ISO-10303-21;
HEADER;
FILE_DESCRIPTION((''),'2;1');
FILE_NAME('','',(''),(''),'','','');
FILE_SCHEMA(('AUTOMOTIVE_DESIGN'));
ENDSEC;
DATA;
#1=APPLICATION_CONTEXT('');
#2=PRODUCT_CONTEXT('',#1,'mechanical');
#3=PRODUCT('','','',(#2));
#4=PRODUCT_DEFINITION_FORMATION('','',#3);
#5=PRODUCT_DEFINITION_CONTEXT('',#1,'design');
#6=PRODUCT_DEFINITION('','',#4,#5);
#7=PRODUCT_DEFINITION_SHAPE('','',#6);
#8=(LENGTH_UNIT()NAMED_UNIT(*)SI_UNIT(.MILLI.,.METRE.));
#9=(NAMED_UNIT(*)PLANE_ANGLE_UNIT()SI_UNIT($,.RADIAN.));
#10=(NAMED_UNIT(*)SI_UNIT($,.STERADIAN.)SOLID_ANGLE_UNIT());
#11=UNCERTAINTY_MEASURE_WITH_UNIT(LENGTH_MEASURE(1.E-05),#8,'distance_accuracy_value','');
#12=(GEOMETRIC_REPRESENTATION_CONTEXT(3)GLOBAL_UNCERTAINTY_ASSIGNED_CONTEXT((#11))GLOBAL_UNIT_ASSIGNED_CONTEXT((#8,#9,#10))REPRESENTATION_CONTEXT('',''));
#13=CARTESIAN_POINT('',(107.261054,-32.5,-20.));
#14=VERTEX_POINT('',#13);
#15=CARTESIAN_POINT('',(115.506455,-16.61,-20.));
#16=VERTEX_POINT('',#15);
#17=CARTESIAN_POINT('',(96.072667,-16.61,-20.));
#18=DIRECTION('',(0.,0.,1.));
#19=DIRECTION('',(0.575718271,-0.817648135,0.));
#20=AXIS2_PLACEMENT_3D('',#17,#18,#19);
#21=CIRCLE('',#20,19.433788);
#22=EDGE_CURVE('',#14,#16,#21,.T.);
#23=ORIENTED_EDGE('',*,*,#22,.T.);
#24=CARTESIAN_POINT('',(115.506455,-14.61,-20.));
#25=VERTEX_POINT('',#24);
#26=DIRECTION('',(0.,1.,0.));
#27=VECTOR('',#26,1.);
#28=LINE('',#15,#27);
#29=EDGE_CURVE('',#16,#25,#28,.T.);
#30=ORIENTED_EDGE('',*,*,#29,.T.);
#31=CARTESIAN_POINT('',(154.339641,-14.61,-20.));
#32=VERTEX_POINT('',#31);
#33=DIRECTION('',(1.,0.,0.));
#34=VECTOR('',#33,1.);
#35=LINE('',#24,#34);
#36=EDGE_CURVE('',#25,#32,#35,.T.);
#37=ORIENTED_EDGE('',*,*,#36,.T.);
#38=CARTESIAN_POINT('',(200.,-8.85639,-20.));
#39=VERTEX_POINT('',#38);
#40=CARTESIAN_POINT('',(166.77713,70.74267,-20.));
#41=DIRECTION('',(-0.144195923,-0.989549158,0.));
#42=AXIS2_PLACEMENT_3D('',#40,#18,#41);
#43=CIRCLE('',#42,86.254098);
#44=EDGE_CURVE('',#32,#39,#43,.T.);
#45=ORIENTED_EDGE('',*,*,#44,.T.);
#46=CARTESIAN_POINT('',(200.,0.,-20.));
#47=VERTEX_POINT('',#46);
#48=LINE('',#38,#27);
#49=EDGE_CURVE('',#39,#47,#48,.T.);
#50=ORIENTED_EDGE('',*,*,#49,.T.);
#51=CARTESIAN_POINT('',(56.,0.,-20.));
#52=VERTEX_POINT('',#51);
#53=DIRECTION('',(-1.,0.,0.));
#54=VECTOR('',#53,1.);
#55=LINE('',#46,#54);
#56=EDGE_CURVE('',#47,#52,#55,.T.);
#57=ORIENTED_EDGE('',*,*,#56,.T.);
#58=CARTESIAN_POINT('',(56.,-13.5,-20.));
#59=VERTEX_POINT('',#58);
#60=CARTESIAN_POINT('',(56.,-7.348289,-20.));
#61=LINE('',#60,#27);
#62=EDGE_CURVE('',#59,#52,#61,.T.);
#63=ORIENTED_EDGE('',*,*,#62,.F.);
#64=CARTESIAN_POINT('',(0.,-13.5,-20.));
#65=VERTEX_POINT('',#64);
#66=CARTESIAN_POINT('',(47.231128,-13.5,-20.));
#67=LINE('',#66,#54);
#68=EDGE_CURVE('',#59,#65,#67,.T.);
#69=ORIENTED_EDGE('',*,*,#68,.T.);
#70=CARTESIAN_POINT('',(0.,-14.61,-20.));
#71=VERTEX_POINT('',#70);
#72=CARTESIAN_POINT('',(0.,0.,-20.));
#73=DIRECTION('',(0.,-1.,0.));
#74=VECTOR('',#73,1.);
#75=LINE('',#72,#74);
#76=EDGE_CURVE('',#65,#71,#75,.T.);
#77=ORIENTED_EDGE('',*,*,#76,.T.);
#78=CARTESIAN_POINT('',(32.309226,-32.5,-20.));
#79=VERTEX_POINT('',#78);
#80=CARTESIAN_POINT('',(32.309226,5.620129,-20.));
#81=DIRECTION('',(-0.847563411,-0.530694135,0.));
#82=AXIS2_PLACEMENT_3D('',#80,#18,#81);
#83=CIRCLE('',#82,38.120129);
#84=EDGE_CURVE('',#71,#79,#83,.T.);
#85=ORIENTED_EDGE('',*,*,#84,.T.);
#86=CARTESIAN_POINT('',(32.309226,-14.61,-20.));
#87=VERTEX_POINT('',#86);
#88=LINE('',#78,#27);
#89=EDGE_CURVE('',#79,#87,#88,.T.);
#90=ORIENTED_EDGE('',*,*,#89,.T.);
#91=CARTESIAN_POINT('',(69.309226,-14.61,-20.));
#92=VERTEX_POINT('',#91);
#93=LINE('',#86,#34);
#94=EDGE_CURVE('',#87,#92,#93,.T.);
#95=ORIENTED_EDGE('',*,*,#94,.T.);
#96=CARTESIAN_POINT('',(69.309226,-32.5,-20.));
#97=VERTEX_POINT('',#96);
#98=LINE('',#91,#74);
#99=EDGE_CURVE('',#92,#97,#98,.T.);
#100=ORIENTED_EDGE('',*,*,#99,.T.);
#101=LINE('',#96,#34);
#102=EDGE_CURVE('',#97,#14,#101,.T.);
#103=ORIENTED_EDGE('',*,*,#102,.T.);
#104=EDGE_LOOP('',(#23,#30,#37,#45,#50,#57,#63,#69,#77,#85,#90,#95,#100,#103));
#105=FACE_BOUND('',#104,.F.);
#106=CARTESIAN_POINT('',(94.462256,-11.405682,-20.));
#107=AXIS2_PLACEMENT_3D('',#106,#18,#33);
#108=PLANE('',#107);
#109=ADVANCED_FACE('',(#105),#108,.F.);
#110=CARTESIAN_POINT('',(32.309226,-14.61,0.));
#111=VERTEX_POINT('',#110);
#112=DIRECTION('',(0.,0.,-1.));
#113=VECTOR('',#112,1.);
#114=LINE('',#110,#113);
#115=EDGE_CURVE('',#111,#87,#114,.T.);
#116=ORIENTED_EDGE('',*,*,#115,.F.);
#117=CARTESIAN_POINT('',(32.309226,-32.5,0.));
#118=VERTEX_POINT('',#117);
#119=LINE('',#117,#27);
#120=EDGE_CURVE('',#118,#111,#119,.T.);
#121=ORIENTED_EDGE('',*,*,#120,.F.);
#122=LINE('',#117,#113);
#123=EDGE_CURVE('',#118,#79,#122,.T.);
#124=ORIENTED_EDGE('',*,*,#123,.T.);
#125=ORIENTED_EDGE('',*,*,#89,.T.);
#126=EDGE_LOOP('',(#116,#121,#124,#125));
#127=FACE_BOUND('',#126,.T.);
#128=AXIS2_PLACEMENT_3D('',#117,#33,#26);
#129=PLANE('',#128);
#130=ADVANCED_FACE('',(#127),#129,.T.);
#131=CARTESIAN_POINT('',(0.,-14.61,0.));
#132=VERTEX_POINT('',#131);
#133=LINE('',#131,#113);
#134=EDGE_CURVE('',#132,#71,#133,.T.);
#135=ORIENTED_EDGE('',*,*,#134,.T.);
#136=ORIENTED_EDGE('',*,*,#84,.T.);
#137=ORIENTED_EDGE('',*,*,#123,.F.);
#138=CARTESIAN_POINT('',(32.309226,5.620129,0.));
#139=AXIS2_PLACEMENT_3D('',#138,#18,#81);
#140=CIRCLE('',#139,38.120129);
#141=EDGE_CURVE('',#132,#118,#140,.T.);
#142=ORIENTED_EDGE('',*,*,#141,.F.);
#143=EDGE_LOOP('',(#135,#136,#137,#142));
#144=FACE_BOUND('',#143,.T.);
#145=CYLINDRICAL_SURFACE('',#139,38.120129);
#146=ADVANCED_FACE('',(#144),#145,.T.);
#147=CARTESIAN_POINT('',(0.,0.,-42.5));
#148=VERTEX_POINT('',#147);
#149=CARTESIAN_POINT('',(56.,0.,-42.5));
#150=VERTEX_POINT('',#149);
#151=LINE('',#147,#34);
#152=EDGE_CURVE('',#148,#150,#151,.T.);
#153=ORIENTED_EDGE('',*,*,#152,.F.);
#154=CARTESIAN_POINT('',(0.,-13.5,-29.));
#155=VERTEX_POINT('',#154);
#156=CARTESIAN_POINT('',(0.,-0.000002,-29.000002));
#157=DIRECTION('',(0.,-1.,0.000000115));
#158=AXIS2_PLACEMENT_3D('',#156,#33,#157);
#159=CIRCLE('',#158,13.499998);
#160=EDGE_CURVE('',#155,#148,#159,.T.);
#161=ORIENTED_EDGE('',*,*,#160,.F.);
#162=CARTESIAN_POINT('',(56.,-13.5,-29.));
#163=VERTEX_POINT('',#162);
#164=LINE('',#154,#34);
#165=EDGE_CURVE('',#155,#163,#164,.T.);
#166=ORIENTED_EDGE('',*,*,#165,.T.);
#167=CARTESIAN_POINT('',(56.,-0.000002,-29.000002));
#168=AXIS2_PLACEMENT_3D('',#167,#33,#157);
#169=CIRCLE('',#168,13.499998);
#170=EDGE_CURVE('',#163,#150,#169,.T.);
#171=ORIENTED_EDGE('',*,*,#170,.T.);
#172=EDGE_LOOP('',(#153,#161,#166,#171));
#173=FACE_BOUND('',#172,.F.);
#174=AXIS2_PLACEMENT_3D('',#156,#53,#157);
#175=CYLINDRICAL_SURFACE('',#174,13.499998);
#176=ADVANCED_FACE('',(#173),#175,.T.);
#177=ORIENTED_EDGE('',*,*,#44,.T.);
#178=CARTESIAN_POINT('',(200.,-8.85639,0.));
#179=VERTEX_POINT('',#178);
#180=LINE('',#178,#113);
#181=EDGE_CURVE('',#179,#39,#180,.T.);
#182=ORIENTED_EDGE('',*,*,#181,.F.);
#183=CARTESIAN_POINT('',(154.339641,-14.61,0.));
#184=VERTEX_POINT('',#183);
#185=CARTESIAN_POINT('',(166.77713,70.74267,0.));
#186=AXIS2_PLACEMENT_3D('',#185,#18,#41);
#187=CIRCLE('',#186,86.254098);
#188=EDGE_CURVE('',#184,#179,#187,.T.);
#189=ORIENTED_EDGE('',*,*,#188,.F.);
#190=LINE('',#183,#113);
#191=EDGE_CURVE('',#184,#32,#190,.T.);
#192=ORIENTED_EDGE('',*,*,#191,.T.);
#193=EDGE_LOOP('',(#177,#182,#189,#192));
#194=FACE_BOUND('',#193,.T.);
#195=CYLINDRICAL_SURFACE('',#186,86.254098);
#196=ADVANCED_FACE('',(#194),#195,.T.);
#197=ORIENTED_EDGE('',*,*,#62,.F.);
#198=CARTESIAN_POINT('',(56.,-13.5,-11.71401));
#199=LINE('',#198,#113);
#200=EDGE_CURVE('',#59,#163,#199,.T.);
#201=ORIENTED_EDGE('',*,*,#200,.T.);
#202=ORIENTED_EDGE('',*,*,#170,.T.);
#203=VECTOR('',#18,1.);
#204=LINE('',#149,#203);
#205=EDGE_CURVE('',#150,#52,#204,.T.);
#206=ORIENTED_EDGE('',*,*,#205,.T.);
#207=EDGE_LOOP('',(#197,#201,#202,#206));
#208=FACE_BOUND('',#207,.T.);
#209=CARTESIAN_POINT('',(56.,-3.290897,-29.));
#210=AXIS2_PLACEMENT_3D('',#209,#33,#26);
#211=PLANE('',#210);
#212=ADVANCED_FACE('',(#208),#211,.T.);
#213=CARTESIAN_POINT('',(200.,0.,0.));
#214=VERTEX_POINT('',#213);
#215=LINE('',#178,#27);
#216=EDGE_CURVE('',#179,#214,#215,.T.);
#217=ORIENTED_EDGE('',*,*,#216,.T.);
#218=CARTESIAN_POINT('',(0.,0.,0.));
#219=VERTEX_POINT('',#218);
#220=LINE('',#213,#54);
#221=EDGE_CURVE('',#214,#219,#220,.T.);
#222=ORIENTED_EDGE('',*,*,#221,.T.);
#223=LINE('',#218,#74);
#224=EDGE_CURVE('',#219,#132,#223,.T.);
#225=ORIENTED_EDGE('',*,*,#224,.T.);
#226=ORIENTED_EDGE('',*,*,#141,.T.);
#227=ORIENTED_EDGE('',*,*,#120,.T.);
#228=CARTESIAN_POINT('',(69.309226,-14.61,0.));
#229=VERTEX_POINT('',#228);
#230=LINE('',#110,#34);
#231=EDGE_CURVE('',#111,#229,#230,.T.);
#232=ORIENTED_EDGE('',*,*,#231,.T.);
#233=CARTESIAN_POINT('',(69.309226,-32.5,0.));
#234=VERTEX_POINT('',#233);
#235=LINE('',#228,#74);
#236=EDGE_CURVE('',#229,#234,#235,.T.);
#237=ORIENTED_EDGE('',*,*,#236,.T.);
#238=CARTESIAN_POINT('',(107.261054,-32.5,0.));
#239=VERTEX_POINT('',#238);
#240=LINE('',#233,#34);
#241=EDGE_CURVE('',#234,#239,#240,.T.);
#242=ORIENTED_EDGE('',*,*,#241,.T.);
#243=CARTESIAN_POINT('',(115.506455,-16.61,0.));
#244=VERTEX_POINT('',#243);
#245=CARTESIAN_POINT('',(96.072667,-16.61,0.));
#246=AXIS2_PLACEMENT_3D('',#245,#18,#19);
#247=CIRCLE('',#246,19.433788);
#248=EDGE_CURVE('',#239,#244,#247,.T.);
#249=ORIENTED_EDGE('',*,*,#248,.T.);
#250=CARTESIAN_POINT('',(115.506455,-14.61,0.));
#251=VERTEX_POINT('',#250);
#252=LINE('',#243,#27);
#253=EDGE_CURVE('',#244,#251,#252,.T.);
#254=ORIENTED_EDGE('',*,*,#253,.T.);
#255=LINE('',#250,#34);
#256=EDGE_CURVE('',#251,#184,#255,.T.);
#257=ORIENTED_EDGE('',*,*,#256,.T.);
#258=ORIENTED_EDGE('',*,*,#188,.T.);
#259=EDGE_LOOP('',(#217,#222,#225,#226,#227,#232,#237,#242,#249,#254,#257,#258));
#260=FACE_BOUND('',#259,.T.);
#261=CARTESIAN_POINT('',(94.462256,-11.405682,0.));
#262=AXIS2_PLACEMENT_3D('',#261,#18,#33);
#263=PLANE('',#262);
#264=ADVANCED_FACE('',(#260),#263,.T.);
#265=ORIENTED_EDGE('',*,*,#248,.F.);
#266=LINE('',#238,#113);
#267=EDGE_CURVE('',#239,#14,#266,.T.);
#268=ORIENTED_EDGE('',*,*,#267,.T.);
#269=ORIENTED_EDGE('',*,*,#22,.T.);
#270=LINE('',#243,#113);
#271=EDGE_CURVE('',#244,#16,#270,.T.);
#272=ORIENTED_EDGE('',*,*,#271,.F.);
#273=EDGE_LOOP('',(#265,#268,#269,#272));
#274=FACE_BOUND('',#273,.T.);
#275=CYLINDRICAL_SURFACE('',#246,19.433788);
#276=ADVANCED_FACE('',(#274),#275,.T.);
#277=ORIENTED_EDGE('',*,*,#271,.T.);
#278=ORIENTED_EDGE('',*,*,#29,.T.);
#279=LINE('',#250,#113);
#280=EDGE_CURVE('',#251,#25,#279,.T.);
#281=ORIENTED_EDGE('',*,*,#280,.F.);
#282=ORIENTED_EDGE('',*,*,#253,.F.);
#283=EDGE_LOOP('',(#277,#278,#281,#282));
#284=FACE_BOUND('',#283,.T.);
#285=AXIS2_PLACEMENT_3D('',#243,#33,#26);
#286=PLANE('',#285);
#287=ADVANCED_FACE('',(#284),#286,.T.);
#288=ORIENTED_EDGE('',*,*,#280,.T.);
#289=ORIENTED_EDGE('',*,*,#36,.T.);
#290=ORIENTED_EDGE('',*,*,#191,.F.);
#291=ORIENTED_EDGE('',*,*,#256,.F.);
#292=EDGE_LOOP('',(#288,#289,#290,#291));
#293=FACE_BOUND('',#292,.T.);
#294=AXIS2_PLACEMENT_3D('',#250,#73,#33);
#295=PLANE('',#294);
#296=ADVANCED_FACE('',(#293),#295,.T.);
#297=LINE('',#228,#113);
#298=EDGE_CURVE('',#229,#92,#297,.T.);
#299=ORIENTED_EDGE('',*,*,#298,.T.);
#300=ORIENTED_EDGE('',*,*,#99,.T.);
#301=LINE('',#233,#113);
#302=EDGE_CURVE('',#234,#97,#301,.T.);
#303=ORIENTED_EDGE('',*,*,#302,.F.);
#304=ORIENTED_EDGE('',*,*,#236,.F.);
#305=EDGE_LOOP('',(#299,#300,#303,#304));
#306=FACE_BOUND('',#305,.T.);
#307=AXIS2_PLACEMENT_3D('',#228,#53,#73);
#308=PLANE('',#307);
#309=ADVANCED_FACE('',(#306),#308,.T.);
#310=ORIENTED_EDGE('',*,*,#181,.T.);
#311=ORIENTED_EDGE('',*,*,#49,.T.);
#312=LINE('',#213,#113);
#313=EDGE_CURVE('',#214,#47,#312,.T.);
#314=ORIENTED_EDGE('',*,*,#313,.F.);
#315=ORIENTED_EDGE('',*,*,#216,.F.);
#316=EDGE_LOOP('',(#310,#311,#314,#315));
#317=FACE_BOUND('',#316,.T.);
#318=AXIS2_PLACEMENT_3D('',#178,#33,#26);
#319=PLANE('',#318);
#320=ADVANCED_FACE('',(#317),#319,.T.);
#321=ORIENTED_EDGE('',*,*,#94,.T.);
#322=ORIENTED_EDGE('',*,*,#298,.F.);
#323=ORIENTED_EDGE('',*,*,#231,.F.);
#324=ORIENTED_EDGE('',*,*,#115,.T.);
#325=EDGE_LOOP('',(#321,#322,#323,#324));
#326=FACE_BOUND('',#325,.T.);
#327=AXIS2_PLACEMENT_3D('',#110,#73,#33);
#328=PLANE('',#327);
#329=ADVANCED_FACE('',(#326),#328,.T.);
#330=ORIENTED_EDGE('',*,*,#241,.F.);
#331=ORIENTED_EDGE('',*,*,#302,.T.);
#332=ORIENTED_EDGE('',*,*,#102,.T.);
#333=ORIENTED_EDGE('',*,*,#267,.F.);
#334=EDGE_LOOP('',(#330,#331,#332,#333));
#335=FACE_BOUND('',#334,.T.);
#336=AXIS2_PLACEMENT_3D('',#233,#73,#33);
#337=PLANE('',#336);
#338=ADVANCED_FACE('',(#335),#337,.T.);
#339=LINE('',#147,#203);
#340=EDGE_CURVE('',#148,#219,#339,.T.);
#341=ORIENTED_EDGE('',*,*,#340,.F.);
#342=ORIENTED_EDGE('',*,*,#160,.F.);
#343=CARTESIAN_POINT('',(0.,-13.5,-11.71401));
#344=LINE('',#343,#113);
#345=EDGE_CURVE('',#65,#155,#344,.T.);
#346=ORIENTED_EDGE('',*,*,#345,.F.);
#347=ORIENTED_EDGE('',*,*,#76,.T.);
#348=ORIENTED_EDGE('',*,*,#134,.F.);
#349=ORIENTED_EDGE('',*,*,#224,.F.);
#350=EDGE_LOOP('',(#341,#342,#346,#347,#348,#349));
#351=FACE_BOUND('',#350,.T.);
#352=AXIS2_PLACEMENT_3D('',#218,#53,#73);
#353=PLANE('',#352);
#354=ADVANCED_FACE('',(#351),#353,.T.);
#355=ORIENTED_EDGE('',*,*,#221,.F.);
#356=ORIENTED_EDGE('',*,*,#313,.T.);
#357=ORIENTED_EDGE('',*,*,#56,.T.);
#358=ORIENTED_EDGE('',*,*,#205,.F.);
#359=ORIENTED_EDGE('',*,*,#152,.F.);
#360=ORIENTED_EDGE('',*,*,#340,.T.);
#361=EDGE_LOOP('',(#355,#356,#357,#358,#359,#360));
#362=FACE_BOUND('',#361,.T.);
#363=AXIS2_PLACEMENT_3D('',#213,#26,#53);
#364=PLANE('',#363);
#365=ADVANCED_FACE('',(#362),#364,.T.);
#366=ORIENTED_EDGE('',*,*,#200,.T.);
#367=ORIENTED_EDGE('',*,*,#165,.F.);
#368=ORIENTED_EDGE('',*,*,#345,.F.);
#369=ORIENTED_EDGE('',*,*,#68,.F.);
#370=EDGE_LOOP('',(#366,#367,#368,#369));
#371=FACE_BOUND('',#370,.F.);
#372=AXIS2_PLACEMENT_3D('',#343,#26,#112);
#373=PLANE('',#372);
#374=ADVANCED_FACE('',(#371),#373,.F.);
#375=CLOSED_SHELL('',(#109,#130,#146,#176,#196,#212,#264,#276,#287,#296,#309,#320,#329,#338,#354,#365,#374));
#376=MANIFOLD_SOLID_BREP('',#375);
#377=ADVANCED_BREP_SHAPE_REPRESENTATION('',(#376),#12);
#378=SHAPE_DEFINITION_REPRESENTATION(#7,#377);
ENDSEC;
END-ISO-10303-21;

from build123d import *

# Parameters (mm, degrees)
F2_DEPTH = 20
F3_DEPTH = 56
F4_DEPTH = 52


with BuildPart() as f2:
    # F0 (on Top) → F2 (new body)
    with BuildSketch(Plane.XY):
        with BuildLine():
            Line((200, 0), (0, 0))
            Line((0, 0), (0, -14.61))
            ThreePointArc((0, -14.61), (13.843459, -27.728929), (32.309226, -32.5))
            Line((32.309226, -32.5), (32.309226, -14.61))
            Line((32.309226, -14.61), (69.309226, -14.61))
            Line((69.309226, -14.61), (69.309226, -32.5))
            Line((69.309226, -32.5), (107.261054, -32.5))
            ThreePointArc((107.261054, -32.5), (113.322375, -25.56096), (115.506455, -16.61))
            Line((115.506455, -16.61), (115.506455, -14.61))
            Line((115.506455, -14.61), (154.339641, -14.61))
            ThreePointArc((154.339641, -14.61), (177.560637, -14.834695), (200, -8.85639))
            Line((200, -8.85639), (200, 0))
        make_face()
    extrude(amount=-F2_DEPTH)

    # F1 (on Right) → F3 (join)
    with BuildSketch(Plane.YZ):
        with BuildLine():
            Line((0, -38.5), (0, -19.5))
            ThreePointArc((0, -19.5), (-9.5, -29), (0, -38.5))
        make_face()
        with BuildLine():
            Line((0, -19.5), (0, -11.71401))
            Line((0, -11.71401), (-13.5, -11.71401))
            Line((-13.5, -11.71401), (-13.5, -29))
            ThreePointArc((-13.5, -29), (-9.545942, -38.545942), (0, -42.5))
            Line((0, -42.5), (0, -38.5))
            ThreePointArc((0, -38.5), (-9.5, -29), (0, -19.5))
        make_face()
    extrude(amount=F3_DEPTH)

    # F1 (on Right) → F4 (cut)
    with BuildSketch(Plane.YZ):
        with BuildLine():
            Line((0, -38.5), (0, -19.5))
            ThreePointArc((0, -19.5), (-9.5, -29), (0, -38.5))
        make_face()
    extrude(amount=-F4_DEPTH, mode=Mode.SUBTRACT)


solid = f2.part
